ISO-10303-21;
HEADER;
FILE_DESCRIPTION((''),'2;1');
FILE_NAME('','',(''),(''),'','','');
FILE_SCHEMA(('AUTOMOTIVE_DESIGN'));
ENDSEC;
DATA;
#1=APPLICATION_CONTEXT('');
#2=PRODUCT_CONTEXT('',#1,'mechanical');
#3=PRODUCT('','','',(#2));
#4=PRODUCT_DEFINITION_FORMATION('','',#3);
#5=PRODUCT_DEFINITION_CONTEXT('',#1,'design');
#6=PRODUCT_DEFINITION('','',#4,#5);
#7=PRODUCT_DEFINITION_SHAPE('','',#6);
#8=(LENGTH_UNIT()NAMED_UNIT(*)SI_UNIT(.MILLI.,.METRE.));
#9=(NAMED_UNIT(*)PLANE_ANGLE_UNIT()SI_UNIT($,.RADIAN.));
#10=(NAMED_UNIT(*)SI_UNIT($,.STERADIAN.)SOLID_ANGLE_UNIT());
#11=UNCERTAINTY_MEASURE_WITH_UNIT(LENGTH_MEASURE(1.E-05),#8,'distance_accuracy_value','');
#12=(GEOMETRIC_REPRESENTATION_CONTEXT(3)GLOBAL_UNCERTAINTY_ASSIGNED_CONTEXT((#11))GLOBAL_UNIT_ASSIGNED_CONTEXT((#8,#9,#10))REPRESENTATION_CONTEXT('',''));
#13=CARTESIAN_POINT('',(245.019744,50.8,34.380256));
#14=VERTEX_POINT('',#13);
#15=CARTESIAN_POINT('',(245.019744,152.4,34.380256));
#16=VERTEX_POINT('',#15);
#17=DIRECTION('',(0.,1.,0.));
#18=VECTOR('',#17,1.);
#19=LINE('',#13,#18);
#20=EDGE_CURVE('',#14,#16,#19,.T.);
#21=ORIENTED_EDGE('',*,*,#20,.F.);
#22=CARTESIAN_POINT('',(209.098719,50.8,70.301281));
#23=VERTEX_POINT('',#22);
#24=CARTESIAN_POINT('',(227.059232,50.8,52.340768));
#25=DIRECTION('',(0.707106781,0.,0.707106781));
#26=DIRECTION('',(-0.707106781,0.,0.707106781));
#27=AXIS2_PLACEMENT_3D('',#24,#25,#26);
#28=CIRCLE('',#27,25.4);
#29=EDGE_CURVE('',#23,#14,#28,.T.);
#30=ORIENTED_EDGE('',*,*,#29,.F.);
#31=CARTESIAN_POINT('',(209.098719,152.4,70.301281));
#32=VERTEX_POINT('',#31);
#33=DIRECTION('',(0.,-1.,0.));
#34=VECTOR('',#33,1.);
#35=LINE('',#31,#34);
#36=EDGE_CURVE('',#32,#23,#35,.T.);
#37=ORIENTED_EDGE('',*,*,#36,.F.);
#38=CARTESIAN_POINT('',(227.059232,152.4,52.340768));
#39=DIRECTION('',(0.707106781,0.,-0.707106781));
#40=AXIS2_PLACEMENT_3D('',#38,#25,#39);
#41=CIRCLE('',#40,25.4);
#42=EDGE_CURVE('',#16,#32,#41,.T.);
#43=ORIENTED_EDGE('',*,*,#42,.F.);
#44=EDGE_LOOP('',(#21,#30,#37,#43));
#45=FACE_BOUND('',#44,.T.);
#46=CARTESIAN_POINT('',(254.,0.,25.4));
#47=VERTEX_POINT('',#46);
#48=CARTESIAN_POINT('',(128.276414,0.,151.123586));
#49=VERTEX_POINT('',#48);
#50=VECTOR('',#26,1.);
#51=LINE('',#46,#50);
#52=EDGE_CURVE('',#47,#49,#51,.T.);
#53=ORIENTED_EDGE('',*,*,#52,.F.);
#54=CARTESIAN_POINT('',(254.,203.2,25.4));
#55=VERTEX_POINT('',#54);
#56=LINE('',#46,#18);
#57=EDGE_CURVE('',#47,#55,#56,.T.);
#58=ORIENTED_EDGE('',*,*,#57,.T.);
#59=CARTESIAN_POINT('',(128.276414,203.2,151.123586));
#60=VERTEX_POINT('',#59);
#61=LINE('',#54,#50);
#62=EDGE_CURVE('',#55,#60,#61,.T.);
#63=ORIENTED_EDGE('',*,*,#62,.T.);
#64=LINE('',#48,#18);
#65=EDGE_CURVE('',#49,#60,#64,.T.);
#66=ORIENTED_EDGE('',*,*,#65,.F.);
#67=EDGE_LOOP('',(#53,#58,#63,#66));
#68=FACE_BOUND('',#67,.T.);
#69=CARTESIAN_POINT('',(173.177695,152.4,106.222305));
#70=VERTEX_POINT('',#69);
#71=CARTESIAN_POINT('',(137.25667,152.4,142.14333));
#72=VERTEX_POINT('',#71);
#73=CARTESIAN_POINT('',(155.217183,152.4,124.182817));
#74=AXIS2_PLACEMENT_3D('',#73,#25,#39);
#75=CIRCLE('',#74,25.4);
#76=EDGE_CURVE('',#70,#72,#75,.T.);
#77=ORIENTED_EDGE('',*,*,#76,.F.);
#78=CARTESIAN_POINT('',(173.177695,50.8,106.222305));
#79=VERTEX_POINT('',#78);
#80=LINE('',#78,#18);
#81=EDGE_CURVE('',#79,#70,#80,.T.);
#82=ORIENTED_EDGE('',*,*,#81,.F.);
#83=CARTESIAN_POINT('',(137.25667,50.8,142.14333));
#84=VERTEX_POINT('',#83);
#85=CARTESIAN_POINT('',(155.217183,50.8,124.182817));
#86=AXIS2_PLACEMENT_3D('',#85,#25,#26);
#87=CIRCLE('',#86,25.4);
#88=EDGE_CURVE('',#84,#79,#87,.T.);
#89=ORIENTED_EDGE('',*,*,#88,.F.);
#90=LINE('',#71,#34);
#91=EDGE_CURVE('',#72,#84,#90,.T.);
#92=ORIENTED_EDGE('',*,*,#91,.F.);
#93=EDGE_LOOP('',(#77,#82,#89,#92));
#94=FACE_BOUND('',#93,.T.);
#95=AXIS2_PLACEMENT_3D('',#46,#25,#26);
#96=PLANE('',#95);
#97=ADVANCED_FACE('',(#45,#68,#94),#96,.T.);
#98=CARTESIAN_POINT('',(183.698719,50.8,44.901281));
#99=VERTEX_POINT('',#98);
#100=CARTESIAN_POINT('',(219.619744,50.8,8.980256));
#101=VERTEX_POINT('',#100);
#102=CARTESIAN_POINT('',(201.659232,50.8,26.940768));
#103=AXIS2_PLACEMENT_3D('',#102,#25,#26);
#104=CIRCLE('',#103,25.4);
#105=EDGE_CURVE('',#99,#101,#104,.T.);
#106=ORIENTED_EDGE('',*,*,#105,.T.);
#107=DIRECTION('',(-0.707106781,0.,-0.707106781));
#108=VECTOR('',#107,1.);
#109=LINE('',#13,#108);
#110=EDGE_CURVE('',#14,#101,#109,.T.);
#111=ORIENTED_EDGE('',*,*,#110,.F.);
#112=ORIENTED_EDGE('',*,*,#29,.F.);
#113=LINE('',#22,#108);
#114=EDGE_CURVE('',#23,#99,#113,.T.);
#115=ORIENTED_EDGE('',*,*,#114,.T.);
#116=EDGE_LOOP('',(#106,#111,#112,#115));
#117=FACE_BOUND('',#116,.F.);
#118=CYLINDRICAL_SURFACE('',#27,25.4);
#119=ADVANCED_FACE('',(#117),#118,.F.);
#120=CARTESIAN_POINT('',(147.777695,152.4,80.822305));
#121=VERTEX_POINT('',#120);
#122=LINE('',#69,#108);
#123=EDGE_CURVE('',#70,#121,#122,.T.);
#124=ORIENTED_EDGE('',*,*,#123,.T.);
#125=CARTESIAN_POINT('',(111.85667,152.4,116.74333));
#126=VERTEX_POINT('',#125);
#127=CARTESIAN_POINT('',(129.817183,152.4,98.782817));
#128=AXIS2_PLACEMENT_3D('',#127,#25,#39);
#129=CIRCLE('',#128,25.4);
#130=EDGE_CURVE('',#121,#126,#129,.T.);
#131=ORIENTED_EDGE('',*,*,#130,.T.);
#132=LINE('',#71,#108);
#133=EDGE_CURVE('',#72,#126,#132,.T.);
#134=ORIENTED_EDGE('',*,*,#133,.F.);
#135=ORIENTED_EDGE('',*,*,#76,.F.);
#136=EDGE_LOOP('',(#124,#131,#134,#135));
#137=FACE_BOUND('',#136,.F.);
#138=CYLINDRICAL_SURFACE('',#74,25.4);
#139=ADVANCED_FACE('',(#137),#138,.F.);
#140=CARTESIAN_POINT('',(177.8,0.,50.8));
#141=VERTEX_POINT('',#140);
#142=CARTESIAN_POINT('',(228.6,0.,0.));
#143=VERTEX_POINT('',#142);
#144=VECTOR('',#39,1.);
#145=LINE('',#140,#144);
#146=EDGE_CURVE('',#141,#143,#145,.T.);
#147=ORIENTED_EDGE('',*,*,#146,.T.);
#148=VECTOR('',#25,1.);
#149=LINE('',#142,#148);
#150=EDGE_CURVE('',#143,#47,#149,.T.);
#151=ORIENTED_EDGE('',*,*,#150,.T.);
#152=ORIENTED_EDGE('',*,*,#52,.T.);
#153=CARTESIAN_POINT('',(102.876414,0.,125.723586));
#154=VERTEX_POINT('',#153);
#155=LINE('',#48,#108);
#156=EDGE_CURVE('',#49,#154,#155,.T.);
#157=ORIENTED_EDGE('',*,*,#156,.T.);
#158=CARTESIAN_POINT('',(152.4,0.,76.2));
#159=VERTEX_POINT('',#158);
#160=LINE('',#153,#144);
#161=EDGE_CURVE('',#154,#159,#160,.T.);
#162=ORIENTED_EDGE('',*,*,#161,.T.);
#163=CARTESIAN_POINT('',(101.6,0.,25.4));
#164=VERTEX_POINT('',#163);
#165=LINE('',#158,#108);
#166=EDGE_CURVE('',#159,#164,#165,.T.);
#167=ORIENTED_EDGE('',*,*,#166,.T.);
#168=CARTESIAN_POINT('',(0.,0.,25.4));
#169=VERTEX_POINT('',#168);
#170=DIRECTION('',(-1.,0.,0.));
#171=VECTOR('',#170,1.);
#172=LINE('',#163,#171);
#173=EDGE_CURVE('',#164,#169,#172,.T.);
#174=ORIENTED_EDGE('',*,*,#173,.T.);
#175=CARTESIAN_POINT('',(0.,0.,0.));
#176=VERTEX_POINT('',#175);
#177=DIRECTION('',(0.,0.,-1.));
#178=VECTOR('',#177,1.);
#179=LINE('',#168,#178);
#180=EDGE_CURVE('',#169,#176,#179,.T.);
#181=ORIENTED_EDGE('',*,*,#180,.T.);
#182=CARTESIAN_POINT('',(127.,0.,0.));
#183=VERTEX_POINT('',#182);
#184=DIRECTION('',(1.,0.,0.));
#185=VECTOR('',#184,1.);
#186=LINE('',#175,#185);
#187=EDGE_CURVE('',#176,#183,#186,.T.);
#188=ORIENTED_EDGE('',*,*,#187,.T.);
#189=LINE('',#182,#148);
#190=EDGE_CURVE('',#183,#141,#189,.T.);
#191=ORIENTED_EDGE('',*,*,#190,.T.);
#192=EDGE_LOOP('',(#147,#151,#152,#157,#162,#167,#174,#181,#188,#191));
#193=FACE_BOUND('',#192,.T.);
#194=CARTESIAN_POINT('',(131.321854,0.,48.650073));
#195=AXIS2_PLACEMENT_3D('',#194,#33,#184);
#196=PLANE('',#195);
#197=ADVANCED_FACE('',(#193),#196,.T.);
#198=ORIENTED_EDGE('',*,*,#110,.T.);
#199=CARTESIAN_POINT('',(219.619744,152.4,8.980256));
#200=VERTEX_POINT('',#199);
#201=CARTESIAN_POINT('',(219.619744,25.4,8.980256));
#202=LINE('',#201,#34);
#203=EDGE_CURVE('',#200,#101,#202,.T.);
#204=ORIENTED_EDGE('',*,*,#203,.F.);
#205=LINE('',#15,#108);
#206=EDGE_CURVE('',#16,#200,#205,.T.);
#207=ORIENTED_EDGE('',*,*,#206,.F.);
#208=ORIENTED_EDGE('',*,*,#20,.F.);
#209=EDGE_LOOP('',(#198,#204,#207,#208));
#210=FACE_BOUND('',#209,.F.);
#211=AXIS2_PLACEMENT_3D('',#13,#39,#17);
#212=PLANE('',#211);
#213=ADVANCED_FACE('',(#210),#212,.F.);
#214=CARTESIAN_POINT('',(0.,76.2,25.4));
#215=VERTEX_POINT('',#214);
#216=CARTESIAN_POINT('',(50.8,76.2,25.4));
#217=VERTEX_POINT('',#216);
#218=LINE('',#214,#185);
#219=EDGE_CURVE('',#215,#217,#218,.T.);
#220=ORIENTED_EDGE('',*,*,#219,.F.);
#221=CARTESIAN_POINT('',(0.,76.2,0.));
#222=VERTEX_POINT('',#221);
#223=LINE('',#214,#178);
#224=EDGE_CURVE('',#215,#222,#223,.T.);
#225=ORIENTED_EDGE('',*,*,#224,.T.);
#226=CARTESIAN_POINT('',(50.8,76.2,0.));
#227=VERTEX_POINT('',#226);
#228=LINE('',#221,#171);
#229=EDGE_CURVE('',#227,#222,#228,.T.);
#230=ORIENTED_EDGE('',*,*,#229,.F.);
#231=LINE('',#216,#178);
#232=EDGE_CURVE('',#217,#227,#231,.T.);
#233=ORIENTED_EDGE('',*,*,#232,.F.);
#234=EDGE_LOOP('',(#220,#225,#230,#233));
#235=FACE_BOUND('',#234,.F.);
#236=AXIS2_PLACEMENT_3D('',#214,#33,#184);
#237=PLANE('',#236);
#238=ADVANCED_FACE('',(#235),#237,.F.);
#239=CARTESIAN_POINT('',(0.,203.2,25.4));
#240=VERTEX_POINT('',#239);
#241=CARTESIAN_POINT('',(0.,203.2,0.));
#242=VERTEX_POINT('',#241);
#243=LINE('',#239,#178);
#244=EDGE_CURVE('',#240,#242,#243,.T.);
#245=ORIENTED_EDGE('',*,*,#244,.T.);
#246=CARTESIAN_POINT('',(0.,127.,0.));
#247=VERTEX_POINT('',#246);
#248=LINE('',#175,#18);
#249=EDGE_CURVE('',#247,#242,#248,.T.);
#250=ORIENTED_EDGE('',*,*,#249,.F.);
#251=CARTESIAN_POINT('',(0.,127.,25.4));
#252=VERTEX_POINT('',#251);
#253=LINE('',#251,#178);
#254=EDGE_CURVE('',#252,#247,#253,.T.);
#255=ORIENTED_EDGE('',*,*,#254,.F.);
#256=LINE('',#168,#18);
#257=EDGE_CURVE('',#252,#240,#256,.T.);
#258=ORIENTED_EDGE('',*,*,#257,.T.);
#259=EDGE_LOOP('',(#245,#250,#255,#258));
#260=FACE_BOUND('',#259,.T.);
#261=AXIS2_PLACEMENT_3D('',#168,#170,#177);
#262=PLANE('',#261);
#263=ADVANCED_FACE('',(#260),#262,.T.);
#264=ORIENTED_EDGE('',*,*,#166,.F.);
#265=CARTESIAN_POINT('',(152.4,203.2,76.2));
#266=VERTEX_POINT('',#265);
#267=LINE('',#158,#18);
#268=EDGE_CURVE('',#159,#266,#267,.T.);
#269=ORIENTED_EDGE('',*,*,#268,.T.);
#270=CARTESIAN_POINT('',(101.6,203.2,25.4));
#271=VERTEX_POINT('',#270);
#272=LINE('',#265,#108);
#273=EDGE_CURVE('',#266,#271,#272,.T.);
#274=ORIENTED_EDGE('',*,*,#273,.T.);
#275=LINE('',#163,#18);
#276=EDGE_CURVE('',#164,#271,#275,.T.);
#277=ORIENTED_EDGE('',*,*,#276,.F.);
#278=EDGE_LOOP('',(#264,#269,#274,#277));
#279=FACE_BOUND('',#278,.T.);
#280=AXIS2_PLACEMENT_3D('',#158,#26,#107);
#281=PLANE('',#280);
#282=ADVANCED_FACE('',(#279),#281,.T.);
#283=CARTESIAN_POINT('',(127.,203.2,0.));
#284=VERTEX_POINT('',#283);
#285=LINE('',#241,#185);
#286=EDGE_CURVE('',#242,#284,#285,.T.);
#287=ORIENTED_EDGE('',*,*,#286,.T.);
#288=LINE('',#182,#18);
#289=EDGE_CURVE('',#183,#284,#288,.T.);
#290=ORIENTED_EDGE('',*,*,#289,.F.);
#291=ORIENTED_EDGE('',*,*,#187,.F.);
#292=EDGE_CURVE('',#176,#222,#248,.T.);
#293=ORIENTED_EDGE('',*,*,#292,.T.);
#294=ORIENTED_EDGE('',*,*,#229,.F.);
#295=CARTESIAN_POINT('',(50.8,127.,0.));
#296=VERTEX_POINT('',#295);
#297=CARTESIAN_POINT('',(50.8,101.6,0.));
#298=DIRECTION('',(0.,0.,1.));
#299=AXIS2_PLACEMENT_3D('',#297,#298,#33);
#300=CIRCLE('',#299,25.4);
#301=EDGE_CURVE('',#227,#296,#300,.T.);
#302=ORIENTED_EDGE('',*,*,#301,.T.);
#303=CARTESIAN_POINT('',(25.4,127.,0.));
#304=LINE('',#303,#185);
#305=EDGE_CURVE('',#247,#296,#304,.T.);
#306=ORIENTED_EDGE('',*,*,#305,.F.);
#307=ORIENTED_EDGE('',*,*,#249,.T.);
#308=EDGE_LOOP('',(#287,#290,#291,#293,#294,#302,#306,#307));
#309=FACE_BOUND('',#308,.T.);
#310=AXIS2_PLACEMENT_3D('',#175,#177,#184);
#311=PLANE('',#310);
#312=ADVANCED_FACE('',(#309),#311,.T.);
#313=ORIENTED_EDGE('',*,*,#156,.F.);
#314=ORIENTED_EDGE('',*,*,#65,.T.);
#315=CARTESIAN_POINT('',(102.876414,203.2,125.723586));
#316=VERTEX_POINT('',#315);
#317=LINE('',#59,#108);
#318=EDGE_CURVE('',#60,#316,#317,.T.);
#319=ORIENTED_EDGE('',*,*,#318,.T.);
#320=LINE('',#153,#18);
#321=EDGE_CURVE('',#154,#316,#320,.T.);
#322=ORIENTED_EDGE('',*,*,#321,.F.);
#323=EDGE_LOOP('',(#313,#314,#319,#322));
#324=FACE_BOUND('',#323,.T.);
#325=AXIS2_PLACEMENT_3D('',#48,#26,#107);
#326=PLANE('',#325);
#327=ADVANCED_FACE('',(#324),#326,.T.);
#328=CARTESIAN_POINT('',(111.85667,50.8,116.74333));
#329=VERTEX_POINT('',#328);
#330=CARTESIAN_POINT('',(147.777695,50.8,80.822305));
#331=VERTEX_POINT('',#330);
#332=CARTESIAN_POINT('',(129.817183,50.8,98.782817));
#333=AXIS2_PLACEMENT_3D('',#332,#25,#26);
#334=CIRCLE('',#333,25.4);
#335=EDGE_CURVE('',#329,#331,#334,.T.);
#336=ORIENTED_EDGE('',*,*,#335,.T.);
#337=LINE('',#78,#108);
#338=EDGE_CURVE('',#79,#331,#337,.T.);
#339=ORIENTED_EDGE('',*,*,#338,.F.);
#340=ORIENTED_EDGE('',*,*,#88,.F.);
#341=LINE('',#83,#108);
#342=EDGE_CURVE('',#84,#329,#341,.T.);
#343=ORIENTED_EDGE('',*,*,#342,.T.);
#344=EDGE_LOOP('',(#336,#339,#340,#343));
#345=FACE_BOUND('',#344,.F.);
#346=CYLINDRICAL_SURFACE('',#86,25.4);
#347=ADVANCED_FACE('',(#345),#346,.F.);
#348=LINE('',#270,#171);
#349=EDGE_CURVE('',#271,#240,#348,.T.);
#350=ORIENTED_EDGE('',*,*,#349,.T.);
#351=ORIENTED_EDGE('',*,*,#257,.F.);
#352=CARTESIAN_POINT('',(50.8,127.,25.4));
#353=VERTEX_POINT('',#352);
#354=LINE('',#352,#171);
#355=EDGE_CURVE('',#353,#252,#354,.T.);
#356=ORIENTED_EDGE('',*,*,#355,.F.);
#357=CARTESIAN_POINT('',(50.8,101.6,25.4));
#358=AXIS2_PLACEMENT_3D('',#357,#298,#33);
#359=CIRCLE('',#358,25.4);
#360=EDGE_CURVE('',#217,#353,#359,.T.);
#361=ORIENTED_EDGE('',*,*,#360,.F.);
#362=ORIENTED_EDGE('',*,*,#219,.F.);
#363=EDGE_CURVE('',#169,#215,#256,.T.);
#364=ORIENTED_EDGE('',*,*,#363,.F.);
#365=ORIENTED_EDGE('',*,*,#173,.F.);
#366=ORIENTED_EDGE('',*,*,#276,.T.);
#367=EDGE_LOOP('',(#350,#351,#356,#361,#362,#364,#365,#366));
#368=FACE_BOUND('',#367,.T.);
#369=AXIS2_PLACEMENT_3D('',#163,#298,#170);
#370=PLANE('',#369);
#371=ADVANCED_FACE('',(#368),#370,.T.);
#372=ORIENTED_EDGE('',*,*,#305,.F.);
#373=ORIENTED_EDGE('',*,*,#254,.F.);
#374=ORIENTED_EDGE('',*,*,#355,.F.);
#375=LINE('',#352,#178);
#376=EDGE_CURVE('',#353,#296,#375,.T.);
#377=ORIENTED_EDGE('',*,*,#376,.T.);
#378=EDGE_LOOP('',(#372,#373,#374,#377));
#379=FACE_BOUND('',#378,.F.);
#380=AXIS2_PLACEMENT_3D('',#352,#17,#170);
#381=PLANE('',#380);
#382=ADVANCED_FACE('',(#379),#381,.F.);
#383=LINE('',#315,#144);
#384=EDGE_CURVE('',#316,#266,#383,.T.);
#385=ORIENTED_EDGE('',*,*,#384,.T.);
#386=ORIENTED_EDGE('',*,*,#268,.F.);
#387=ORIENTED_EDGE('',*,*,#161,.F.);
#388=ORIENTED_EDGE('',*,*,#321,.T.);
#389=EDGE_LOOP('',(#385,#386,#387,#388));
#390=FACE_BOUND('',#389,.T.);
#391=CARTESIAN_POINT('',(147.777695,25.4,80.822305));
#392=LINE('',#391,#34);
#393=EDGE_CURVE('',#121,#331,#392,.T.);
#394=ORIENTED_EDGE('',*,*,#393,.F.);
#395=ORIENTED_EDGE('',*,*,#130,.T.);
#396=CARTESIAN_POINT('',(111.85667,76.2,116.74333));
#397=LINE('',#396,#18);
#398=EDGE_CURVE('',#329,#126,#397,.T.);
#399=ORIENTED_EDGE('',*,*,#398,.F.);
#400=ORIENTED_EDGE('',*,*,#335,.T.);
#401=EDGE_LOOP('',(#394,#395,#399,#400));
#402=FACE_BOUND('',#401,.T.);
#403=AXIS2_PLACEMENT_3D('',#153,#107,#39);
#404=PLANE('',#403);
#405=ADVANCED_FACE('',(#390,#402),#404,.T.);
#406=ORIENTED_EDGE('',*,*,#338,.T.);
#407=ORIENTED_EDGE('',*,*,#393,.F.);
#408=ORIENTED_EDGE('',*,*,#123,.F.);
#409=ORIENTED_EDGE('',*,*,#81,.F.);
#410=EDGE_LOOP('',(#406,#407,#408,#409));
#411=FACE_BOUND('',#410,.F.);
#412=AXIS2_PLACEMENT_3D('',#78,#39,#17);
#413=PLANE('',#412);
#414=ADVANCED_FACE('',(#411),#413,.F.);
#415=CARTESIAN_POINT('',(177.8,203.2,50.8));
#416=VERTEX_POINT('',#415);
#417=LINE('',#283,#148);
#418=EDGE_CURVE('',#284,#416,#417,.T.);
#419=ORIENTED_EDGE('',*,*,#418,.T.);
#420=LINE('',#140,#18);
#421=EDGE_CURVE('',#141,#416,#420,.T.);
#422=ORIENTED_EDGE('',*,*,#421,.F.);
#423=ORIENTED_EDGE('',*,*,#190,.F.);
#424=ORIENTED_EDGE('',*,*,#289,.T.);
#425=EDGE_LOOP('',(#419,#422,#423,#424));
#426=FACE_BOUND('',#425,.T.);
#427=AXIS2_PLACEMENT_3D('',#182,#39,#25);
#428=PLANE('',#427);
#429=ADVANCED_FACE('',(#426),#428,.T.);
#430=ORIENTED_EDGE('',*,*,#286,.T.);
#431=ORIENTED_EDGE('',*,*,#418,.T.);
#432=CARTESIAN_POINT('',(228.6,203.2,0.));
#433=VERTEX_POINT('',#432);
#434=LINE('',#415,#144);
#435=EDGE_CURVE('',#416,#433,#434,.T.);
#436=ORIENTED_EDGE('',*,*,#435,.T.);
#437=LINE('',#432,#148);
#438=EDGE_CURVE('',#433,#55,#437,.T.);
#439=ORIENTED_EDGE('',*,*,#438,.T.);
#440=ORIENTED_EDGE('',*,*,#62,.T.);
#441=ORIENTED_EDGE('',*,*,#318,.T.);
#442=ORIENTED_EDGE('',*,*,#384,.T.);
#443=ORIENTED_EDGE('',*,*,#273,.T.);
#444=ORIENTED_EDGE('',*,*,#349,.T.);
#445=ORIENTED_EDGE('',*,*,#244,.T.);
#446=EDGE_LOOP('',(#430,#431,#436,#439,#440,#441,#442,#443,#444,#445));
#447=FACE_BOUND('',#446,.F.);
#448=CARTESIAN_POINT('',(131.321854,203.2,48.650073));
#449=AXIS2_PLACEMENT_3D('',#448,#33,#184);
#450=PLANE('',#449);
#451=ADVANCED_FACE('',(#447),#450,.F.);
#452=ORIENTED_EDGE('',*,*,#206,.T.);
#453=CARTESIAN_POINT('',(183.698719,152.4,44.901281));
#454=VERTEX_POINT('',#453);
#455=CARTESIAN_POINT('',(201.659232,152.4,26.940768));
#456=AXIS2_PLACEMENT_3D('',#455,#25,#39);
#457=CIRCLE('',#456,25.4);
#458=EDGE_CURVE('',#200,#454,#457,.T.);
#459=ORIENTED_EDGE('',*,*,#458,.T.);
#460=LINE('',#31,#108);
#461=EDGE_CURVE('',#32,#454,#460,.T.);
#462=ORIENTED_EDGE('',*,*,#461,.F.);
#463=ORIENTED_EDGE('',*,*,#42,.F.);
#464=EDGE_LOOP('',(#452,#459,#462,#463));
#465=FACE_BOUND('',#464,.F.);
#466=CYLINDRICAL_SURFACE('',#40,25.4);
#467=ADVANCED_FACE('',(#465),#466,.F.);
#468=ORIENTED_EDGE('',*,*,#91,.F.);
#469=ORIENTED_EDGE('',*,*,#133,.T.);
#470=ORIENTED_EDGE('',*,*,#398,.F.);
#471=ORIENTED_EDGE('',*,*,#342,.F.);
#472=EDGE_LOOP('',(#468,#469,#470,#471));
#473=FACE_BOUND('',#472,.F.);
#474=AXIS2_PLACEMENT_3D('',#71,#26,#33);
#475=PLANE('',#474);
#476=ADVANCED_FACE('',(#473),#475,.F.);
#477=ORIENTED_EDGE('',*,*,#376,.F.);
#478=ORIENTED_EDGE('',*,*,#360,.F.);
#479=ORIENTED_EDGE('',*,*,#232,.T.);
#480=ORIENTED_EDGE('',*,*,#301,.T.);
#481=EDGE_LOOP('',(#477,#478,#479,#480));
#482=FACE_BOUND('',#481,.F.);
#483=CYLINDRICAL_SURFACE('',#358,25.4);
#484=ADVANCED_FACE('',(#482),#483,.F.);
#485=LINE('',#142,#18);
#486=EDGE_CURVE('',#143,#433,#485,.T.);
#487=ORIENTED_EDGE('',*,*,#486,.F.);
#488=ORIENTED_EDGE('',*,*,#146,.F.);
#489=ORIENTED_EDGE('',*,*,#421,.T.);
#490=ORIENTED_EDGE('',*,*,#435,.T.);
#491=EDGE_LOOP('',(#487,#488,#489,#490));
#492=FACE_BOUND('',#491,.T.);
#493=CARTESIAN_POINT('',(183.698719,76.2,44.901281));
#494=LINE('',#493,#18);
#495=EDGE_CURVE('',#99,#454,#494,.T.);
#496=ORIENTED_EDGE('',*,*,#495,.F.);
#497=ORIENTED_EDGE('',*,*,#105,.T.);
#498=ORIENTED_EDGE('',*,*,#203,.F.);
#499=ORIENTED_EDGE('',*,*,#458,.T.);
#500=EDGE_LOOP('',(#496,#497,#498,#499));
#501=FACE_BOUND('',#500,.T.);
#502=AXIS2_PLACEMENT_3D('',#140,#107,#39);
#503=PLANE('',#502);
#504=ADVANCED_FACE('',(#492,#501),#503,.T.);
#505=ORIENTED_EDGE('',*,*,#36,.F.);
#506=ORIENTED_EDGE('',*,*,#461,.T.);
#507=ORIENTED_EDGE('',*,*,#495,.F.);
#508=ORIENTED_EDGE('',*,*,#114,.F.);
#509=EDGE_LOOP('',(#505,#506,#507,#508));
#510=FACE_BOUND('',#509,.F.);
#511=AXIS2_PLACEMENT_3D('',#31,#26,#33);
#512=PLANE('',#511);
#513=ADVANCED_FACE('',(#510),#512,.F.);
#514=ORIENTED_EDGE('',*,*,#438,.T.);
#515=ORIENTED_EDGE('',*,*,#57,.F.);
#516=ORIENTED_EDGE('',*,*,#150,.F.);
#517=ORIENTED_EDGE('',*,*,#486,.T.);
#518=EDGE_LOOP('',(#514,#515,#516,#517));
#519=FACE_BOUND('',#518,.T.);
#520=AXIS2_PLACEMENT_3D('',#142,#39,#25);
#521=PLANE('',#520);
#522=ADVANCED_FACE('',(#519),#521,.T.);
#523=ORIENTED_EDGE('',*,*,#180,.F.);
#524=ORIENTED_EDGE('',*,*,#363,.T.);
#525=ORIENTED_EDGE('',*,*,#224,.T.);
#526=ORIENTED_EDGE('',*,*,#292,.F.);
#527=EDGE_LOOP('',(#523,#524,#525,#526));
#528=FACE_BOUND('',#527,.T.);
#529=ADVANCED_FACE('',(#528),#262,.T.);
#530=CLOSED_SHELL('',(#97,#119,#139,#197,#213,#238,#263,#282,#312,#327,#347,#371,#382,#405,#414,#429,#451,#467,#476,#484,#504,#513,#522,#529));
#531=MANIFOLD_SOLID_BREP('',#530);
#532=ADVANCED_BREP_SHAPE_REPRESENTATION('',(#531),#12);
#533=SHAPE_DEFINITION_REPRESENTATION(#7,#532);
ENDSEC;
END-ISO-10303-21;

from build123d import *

# Parameters (mm, degrees)
F1_DEPTH = 203.2
F3_DEPTH = 38.1
F5_DEPTH = 50.8


with BuildPart() as f1:
    # F0 (on Front) → F1 (new body)
    with BuildSketch(Plane.XZ):
        Polygon((0, 25.4), (0, 0), (127, 0), (177.8, 50.8), (228.6, 0), (254, 25.4), (128.276414, 151.123586), (102.876414, 125.723586), (152.4, 76.2), (101.6, 25.4), align=None)
    extrude(amount=-F1_DEPTH)

    # F2 (on face) → F3 (cut)
    with BuildSketch(Plane.XY.offset(25.4)):
        with BuildLine():
            Line((0, 76.2), (50.8, 76.2))
            ThreePointArc((50.8, 76.2), (76.2, 101.6), (50.8, 127))
            Line((50.8, 127), (0, 127))
            Line((0, 127), (0, 76.2))
        make_face()
    extrude(amount=-F3_DEPTH, mode=Mode.SUBTRACT)

    # F4 (on face) → F5 (cut)
    with BuildSketch(Plane(origin=(139.7, 0, 139.7), x_dir=(0.707107, 0, -0.707107), z_dir=(0.707107, 0, 0.707107))):
        with BuildLine():
            Line((-3.45539, 152.4), (-3.45539, 50.8))
            ThreePointArc((-3.45539, 50.8), (21.94461, 25.4), (47.34461, 50.8))
            Line((47.34461, 50.8), (47.34461, 152.4))
            ThreePointArc((47.34461, 152.4), (21.94461, 177.8), (-3.45539, 152.4))
        make_face()
        with BuildLine():
            Line((98.14461, 152.4), (98.14461, 50.8))
            ThreePointArc((98.14461, 50.8), (123.54461, 25.4), (148.94461, 50.8))
            Line((148.94461, 50.8), (148.94461, 152.4))
            ThreePointArc((148.94461, 152.4), (123.54461, 177.8), (98.14461, 152.4))
        make_face()
    extrude(amount=-F5_DEPTH, mode=Mode.SUBTRACT)


solid = f1.part
